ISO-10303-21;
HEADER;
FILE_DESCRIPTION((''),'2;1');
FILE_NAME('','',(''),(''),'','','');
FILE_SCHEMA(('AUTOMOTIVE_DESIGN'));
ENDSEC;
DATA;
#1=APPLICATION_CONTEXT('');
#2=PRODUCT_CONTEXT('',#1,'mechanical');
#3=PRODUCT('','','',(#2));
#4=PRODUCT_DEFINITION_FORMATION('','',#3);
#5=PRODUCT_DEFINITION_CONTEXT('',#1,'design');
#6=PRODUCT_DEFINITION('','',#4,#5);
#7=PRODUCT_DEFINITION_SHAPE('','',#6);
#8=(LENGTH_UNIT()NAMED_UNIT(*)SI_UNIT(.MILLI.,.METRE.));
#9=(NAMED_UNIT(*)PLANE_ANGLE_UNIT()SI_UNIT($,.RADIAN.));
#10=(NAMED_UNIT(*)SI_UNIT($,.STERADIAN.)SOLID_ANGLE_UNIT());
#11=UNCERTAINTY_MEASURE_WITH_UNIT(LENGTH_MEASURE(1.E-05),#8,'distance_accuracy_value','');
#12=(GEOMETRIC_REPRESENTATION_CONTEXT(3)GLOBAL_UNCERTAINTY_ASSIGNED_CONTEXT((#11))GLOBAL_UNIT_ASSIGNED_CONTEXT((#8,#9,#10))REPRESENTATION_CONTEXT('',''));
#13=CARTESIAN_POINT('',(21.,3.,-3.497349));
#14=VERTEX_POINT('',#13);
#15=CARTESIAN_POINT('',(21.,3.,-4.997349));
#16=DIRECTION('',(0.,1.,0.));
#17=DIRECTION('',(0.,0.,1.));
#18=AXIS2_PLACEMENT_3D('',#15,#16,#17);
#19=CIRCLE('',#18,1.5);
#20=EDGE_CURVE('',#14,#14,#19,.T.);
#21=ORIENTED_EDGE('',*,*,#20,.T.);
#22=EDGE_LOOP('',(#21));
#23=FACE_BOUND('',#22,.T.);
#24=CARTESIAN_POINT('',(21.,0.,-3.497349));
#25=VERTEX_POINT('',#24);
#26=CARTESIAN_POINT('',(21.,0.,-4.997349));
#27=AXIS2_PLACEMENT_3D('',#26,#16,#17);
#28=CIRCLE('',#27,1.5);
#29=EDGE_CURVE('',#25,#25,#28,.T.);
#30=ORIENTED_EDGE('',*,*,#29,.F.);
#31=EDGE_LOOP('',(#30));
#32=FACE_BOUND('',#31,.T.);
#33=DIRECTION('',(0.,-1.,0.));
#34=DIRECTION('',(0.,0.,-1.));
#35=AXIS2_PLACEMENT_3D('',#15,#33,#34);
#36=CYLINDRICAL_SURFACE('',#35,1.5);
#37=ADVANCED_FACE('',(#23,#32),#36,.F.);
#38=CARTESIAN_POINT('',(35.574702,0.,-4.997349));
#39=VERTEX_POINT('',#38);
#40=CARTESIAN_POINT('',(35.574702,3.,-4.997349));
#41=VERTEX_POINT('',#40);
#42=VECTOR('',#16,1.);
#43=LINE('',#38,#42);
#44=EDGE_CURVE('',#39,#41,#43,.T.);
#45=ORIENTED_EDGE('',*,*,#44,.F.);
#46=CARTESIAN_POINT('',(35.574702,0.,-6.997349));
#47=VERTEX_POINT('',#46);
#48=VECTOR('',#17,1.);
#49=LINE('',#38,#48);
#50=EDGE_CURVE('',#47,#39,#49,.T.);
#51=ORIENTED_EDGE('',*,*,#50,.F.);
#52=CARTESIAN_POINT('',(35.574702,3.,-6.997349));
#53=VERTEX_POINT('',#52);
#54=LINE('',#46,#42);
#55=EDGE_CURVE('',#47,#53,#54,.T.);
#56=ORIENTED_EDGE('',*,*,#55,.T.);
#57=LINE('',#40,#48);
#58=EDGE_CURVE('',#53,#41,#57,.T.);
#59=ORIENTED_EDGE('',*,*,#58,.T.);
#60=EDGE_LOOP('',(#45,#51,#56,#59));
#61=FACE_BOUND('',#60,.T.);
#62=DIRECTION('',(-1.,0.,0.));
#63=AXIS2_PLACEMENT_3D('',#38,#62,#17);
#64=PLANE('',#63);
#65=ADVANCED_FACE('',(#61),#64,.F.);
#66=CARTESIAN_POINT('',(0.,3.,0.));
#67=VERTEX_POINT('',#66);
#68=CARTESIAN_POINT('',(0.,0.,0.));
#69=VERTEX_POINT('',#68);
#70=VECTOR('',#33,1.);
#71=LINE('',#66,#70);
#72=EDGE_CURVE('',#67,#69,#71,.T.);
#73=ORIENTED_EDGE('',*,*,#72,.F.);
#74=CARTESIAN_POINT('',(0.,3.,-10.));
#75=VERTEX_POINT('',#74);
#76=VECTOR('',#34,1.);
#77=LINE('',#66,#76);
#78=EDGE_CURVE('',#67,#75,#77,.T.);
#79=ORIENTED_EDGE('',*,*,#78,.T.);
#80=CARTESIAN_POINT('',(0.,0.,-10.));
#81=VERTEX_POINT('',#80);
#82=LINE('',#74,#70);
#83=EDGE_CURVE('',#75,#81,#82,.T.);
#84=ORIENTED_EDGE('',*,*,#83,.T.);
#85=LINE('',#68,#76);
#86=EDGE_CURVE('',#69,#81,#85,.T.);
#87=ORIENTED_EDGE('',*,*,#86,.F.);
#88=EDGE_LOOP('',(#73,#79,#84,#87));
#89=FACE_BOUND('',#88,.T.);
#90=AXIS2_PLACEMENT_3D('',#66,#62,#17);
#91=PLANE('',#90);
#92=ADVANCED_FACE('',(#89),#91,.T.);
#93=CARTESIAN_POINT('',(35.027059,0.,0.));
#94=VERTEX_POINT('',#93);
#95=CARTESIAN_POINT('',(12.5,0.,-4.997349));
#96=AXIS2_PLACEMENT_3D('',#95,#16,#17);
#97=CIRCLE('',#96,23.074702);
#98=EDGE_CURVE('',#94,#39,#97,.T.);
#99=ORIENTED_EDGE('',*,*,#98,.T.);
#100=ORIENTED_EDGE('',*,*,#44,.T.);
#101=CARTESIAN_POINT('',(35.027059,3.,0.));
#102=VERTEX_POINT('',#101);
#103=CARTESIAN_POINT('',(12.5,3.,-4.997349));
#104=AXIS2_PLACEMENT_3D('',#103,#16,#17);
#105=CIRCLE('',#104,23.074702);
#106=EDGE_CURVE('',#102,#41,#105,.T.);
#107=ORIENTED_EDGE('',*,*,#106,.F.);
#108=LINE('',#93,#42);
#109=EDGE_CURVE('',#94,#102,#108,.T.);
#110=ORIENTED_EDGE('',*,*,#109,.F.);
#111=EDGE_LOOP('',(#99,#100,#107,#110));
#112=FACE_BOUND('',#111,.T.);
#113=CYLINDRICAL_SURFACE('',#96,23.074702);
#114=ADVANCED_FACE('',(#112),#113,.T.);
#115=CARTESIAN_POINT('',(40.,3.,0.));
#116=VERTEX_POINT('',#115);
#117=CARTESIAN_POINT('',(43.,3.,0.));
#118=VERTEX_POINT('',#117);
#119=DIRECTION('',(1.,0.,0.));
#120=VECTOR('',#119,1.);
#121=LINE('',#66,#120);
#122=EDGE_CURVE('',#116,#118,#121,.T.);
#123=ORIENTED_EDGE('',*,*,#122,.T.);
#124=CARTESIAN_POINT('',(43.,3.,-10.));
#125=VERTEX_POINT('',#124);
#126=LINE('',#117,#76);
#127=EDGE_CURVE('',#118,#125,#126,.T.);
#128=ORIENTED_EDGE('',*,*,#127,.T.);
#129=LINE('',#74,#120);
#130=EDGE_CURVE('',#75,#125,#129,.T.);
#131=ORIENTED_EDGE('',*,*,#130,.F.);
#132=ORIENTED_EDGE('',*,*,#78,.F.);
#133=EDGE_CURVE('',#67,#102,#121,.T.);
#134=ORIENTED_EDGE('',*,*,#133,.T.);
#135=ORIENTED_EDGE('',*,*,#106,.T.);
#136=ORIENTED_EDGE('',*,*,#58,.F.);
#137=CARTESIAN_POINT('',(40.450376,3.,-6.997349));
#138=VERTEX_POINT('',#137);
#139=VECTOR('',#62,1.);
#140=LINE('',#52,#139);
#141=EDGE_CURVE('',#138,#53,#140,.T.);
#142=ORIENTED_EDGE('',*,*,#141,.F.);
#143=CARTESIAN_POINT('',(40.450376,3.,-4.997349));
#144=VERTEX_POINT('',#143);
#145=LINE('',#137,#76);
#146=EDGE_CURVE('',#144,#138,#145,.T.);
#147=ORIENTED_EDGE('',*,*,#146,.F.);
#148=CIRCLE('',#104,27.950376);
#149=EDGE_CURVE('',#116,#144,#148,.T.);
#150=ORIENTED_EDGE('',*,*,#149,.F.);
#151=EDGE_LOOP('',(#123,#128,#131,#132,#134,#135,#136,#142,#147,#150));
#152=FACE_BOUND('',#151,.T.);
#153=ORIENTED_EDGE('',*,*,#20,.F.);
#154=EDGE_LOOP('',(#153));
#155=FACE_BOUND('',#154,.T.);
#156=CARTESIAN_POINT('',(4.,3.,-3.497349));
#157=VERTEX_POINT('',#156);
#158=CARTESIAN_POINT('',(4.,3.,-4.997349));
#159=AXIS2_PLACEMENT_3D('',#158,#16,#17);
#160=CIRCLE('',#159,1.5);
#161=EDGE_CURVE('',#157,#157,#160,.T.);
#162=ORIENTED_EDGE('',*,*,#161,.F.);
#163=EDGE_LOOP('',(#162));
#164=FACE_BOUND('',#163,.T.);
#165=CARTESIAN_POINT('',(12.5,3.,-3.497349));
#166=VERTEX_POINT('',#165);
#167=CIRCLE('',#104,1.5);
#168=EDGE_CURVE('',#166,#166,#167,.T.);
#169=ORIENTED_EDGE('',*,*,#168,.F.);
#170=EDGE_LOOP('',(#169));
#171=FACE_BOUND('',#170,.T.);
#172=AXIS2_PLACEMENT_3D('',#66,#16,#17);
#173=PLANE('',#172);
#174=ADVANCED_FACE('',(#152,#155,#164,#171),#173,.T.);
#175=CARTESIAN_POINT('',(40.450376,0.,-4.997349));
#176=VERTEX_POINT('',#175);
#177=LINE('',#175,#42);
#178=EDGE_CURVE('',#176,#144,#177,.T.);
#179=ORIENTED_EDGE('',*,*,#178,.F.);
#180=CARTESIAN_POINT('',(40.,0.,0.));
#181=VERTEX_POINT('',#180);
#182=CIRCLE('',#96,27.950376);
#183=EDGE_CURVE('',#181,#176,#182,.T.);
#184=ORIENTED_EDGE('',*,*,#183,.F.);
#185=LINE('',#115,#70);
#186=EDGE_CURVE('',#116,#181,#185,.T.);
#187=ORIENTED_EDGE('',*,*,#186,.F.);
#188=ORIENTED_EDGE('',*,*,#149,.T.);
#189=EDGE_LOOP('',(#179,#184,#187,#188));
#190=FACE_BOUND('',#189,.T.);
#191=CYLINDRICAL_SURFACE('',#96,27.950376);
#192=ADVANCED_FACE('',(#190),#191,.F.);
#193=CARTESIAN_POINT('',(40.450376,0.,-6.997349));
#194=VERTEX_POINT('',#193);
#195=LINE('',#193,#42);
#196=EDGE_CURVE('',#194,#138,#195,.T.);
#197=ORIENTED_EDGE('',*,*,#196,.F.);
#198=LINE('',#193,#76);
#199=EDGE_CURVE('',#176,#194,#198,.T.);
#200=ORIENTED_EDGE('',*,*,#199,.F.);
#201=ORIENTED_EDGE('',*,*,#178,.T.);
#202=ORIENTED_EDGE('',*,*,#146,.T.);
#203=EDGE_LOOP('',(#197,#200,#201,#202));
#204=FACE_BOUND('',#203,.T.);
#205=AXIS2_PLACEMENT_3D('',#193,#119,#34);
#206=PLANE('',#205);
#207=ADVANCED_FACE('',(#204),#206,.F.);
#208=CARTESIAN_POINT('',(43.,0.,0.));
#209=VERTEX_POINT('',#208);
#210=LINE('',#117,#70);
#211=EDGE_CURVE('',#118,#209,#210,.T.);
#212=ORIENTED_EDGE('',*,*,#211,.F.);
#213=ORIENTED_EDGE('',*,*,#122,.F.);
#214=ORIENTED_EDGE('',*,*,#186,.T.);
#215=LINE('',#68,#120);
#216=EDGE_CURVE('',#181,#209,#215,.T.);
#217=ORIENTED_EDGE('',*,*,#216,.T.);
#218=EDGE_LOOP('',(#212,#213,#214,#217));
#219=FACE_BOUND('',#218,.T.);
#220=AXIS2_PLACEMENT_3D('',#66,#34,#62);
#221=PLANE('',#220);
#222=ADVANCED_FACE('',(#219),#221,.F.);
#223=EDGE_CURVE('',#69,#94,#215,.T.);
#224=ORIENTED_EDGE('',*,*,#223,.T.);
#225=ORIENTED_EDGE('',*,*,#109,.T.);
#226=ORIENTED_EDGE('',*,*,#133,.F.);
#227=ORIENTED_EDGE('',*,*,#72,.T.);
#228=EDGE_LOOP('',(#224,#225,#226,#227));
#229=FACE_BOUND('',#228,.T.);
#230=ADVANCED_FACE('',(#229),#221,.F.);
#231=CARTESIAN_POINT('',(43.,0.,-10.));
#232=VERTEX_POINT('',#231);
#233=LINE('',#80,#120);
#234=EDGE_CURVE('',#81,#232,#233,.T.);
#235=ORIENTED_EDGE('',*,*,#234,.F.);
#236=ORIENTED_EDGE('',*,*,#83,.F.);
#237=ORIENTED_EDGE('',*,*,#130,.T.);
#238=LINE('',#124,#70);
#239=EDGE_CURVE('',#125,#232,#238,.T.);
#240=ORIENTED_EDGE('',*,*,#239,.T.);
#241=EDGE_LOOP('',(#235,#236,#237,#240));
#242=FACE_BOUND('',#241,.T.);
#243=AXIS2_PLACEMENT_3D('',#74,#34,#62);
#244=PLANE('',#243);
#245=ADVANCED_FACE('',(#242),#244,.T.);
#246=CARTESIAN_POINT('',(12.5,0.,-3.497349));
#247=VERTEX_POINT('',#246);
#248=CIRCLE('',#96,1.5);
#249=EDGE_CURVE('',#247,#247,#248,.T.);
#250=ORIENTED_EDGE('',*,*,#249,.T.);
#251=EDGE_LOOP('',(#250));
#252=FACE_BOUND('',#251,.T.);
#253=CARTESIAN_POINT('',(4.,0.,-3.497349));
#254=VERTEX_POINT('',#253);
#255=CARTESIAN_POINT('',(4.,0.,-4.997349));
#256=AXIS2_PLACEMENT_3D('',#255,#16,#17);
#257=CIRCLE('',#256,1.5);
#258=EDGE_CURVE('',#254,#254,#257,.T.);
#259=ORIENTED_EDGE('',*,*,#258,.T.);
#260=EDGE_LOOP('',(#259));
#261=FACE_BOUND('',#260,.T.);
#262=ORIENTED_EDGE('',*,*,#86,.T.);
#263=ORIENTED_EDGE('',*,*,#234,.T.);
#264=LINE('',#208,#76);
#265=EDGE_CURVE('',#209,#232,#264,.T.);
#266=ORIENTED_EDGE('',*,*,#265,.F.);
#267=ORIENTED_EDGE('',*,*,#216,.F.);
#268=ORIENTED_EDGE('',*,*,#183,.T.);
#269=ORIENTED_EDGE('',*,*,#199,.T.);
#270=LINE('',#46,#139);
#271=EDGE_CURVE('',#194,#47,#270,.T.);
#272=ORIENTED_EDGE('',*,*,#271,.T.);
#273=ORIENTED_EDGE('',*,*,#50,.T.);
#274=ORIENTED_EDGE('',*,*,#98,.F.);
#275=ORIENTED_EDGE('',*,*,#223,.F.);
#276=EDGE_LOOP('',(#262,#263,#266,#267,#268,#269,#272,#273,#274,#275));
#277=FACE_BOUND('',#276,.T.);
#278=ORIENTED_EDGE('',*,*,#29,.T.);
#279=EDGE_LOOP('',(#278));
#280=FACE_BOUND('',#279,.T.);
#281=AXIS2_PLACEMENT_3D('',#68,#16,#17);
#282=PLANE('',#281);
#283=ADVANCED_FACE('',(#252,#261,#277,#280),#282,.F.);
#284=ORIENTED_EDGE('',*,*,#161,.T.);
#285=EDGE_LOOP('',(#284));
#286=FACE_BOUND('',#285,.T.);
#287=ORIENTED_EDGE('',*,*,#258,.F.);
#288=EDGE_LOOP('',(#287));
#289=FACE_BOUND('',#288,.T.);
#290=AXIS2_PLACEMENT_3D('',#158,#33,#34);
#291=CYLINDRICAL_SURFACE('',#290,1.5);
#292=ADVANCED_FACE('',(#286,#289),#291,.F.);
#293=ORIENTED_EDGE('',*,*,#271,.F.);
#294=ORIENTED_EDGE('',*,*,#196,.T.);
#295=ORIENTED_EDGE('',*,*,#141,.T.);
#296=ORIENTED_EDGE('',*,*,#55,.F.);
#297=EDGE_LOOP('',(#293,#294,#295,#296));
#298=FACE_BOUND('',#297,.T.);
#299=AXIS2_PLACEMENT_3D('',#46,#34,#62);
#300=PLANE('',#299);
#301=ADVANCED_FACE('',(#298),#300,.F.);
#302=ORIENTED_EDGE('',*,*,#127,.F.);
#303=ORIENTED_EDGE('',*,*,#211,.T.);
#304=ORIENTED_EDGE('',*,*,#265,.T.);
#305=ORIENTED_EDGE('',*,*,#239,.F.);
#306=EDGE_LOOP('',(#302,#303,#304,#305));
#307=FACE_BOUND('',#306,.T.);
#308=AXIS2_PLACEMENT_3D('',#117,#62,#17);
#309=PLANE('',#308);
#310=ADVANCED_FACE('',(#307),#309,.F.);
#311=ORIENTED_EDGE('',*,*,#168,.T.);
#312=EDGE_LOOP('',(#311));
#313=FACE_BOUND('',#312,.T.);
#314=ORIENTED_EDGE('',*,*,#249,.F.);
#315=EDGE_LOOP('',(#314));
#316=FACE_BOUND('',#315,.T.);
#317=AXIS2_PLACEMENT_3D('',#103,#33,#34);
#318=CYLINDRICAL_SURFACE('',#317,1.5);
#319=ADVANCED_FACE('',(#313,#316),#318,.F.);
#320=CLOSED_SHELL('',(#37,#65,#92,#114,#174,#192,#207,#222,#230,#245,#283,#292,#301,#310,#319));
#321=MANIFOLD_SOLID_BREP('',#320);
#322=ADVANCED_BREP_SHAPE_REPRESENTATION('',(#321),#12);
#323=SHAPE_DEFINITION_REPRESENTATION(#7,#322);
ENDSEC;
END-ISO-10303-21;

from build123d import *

# Parameters (mm, degrees)
ESQUISSE1_R             = 1.5
BOSS_EXTRU_2_DEPTH      = 3
ENL_V_MAT_EXTRU_2_DEPTH = 3
ESQUISSE3_W             = 4.875673512
ESQUISSE3_H             = 2
ENL_V_MAT_EXTRU_3_DEPTH = 3


with BuildPart() as part:
    # Esquisse1 → Boss.-Extru.2 (new body)
    with BuildSketch(Plane(origin=(0, 0, 0), x_dir=(1, 0, 0), z_dir=(0, 1, 0))):
        Polygon((0, 0), (36.5, 0), (36.5, 2.820303555), (40, 2.820303555), (40, 0), (43, 0), (43, 10), (0, 10), align=None)
        with Locations((4, 4.99734883)):
            Circle(ESQUISSE1_R, mode=Mode.SUBTRACT)
        with Locations((12.5, 4.99734883)):
            Circle(ESQUISSE1_R, mode=Mode.SUBTRACT)
        with Locations((21, 4.99734883)):
            Circle(ESQUISSE1_R, mode=Mode.SUBTRACT)
    extrude(amount=BOSS_EXTRU_2_DEPTH)

    # Esquisse2 → Enlèv. mat.-Extru.2 (cut)
    with BuildSketch(Plane(origin=(0, 3, 0), x_dir=(1, 0, 0), z_dir=(0, 1, 0))):
        with BuildLine():
            Line((35.602803426, 4.99734883), (40.450375585, 4.99734883))
            ThreePointArc((40.450375585, 4.99734883), (40.337553987, 2.488547647), (40, 0))
            Line((40, 0), (40, 2.820303555))
            Line((40, 2.820303555), (36.5, 2.820303555))
            Line((36.5, 2.820303555), (36.5, 0))
            Line((36.5, 0), (35.02705885, 0))
            ThreePointArc((35.02705885, 0), (35.437382668, 2.483715582), (35.574702073, 4.99734883))
            Line((35.574702073, 4.99734883), (35.602803426, 4.99734883))
        make_face()
    extrude(amount=-ENL_V_MAT_EXTRU_2_DEPTH, mode=Mode.SUBTRACT)

    # Esquisse3 → Enlèv. mat.-Extru.3 (cut)
    with BuildSketch(Plane(origin=(0, 3, 0), x_dir=(1, 0, 0), z_dir=(0, 1, 0))):
        with Locations((38.012538829, 5.99734883)):
            Rectangle(ESQUISSE3_W, ESQUISSE3_H)
    extrude(amount=-ENL_V_MAT_EXTRU_3_DEPTH, mode=Mode.SUBTRACT)


solid = part.part
